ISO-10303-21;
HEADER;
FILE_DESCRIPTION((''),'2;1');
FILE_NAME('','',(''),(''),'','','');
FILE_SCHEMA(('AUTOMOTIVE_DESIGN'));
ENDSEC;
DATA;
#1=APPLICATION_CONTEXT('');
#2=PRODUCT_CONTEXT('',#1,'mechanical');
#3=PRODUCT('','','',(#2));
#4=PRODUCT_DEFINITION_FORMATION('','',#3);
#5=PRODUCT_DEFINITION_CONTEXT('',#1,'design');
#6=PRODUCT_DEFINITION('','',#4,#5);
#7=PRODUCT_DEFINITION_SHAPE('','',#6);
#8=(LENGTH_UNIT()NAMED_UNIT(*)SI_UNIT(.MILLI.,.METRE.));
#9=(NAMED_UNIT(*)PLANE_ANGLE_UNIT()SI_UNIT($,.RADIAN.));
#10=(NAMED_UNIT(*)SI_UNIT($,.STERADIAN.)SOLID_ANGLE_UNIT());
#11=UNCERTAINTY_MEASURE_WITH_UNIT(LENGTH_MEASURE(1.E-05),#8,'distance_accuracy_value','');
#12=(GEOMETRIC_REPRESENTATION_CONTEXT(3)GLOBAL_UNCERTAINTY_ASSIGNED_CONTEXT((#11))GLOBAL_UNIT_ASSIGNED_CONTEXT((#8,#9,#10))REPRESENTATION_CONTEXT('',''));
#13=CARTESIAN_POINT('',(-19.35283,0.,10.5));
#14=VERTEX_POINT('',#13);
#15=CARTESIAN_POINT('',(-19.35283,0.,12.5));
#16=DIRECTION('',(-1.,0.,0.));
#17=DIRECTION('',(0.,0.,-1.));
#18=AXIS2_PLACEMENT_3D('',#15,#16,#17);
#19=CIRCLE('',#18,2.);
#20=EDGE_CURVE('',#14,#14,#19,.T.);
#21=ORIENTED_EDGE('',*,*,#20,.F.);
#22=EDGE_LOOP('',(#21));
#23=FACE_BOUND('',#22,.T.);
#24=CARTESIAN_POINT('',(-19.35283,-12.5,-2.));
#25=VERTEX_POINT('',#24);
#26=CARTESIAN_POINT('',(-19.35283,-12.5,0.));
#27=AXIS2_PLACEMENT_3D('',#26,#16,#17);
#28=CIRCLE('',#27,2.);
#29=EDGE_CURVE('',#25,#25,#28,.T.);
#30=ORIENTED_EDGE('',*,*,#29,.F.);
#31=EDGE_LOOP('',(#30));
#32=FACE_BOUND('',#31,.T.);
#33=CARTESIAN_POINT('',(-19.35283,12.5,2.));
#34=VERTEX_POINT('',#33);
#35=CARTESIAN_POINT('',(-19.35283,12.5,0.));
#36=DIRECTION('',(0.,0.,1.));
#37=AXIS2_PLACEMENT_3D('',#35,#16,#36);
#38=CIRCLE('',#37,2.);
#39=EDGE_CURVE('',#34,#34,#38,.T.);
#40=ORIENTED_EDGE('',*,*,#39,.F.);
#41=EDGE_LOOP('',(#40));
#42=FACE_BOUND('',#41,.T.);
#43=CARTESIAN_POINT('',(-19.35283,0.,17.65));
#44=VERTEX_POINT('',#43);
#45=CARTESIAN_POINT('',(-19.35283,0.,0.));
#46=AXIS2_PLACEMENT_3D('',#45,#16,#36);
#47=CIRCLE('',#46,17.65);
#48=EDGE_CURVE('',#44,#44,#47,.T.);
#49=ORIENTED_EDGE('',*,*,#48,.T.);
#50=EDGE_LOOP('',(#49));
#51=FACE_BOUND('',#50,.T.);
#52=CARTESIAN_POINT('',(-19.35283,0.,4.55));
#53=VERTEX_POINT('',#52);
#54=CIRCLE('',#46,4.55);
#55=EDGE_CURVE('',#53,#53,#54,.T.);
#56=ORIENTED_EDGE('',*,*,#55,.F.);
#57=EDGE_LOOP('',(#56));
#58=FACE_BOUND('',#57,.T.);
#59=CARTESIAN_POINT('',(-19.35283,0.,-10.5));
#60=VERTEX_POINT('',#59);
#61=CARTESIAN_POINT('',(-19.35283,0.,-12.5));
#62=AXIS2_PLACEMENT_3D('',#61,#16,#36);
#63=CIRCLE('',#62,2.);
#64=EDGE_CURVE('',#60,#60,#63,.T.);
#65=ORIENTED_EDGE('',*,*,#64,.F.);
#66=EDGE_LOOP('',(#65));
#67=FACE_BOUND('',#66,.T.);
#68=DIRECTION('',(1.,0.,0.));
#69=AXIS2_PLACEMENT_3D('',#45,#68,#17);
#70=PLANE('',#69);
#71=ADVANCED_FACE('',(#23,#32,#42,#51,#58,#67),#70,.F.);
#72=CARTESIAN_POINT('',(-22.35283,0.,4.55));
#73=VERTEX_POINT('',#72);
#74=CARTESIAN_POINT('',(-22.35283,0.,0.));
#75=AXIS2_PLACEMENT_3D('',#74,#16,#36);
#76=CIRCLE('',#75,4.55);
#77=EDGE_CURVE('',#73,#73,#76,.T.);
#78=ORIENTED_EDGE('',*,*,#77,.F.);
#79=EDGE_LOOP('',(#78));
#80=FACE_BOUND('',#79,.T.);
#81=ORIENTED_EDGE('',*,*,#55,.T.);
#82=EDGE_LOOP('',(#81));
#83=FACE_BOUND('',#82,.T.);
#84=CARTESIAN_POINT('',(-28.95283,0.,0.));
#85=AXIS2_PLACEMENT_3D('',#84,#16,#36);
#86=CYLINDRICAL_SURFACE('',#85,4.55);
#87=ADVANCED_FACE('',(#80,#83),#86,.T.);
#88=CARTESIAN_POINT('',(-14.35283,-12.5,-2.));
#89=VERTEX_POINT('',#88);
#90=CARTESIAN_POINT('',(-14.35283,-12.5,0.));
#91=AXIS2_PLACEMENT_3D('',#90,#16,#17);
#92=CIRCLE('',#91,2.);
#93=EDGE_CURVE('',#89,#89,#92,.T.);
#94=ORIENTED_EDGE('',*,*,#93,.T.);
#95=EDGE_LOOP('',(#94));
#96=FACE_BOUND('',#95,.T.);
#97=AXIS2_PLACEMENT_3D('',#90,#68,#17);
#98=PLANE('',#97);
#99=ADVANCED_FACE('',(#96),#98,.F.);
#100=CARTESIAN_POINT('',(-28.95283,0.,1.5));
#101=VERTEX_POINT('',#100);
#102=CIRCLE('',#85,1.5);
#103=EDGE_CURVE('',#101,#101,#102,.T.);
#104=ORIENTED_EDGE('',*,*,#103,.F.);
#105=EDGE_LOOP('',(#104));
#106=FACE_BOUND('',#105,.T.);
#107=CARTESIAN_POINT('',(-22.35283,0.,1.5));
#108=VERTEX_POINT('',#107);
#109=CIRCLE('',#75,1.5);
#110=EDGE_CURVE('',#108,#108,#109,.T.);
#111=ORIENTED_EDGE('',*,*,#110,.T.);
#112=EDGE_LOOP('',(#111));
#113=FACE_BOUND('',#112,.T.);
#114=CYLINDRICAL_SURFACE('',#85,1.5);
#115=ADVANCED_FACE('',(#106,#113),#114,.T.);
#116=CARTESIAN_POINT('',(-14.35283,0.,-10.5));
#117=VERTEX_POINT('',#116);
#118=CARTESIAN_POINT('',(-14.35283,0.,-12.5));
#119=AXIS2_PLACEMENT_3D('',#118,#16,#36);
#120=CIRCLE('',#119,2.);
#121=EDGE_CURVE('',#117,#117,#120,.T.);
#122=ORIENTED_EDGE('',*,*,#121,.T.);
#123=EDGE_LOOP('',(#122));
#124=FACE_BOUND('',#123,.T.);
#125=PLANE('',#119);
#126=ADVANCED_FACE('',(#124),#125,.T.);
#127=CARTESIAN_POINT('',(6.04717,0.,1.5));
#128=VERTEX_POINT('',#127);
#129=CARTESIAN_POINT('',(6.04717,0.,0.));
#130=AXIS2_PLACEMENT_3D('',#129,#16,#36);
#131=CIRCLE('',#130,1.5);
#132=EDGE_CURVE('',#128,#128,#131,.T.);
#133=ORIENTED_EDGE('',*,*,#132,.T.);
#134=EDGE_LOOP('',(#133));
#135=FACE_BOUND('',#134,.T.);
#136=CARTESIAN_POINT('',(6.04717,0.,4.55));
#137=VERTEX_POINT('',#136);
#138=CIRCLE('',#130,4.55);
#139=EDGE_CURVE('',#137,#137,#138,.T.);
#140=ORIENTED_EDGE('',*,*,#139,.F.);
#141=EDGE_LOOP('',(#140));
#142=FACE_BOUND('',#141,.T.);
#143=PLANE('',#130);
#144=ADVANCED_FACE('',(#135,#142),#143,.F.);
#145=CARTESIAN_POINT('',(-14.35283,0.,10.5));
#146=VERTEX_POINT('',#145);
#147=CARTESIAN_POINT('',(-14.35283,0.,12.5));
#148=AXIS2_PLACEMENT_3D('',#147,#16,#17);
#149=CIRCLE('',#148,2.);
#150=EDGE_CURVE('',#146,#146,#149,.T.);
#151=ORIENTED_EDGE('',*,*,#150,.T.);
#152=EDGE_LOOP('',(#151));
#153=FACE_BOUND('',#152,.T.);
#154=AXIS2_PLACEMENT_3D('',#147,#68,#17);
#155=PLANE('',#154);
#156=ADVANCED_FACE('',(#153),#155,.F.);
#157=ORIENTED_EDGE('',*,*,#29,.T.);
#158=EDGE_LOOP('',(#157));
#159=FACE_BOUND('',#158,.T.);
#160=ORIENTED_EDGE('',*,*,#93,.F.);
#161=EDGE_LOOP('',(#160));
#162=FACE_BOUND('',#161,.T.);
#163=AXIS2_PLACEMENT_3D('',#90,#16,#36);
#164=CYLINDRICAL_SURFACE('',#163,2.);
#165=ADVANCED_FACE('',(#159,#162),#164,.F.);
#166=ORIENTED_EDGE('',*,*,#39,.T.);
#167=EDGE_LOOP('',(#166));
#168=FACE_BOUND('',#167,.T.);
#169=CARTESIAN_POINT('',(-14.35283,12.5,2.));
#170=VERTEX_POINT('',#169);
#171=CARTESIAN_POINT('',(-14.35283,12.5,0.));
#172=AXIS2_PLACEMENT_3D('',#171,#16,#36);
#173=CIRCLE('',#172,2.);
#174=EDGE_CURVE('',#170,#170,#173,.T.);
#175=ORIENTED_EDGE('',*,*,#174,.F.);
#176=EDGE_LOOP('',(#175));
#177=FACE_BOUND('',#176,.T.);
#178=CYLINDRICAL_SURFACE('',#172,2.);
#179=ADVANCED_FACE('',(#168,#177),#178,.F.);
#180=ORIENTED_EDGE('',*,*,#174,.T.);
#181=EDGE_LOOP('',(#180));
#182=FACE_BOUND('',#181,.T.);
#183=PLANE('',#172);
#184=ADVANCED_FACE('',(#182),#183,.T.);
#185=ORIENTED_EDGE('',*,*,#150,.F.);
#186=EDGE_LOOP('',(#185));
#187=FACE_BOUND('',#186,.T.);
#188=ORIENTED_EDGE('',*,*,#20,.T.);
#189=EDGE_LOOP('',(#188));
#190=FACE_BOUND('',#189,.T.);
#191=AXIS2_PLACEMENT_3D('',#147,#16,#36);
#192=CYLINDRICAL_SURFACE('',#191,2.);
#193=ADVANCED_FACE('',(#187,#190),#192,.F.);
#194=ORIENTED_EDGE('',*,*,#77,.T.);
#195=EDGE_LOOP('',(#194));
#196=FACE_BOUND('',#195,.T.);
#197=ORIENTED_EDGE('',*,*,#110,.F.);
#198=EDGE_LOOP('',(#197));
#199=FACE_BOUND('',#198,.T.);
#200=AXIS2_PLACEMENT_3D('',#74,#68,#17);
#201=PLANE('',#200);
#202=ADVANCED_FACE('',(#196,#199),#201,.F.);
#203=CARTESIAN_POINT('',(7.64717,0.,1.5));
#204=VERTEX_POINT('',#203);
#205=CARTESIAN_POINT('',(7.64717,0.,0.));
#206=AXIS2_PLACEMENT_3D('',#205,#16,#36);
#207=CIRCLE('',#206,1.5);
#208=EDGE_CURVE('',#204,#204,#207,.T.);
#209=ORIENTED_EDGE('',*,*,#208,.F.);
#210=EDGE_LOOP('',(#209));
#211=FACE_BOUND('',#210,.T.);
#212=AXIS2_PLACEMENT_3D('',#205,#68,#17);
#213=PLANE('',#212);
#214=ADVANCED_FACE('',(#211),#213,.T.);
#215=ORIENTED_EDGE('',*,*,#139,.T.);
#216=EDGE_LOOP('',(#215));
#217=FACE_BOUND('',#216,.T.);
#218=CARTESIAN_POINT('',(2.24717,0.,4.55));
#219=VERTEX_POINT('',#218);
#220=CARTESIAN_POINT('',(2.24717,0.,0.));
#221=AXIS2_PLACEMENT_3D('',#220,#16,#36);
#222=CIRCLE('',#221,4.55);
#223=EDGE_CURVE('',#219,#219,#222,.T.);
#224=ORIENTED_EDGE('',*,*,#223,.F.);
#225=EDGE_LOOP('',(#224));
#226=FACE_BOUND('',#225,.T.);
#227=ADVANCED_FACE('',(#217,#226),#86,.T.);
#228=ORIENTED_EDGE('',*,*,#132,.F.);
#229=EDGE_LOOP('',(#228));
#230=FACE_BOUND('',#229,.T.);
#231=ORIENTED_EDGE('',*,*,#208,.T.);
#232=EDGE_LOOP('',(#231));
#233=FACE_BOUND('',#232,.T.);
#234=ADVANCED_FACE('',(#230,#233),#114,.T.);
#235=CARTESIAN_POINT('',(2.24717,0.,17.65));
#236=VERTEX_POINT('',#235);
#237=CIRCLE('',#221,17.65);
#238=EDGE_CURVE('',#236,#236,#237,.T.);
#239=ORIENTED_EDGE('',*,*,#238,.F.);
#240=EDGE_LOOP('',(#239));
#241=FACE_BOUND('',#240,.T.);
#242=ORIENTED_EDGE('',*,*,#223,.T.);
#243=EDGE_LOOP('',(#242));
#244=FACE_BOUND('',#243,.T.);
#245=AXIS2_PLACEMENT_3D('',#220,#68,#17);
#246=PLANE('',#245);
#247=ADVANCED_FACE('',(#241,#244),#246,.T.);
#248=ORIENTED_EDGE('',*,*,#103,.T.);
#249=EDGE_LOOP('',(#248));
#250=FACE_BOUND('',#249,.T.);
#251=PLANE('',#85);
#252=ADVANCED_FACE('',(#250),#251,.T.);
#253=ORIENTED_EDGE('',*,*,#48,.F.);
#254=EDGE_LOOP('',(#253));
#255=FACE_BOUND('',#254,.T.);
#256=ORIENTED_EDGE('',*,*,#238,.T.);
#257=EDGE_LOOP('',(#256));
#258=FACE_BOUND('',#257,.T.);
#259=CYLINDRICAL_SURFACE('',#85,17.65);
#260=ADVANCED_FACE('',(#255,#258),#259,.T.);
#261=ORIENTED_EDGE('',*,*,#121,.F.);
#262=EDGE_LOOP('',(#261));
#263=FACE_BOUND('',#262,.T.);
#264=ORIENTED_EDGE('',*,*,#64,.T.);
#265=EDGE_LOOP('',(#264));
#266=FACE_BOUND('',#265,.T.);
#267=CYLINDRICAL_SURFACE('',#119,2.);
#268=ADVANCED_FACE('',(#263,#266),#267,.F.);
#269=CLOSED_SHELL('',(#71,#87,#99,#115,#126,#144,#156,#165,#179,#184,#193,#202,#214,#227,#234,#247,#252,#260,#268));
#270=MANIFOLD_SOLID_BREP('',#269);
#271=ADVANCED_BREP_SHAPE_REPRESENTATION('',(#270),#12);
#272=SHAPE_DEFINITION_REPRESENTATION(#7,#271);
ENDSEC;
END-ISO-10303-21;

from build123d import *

# Parameters (mm, degrees)
SKETCH_1_W          = 6.6
SKETCH_1_H          = 1.5
SKETCH_1_W_2        = 1.6
SKETCH_2_R          = 2
CUT_EXTRUDE_1_DEPTH = 5


with BuildPart() as part:
    # 草图1 → 旋转2 (revolve)
    with BuildSketch(Plane.XY):
        with Locations((-25.652830189, 0.75)):
            Rectangle(SKETCH_1_W, SKETCH_1_H)
        Polygon((-22.352830189, 1.5), (-22.352830189, 0), (-19.352830189, 0), (-19.352830189, 4.55), (-22.352830189, 4.55), align=None)
        Polygon((-19.352830189, 4.55), (-19.352830189, 0), (2.247169811, 0), (2.247169811, 4.55), (2.247169811, 17.65), (-19.352830189, 17.65), align=None)
        Polygon((2.247169811, 4.55), (2.247169811, 0), (6.047169811, 0), (6.047169811, 1.5), (6.047169811, 4.55), align=None)
        with Locations((6.847169811, 0.75)):
            Rectangle(SKETCH_1_W_2, SKETCH_1_H)
    revolve(axis=Axis((-28.952830189, 0, 0), (1, 0, 0)))

    # 草图2 → 切除-拉伸1 (cut)
    with BuildSketch(Plane.ZY.offset(19.352830189)):
        with Locations((0, 12.5)):
            Circle(SKETCH_2_R)
        with Locations((0, -12.5)):
            Circle(SKETCH_2_R)
        with Locations((-12.5, 0)):
            Circle(SKETCH_2_R)
        with Locations((12.5, 0)):
            Circle(SKETCH_2_R)
    extrude(amount=-CUT_EXTRUDE_1_DEPTH, mode=Mode.SUBTRACT)


solid = part.part
